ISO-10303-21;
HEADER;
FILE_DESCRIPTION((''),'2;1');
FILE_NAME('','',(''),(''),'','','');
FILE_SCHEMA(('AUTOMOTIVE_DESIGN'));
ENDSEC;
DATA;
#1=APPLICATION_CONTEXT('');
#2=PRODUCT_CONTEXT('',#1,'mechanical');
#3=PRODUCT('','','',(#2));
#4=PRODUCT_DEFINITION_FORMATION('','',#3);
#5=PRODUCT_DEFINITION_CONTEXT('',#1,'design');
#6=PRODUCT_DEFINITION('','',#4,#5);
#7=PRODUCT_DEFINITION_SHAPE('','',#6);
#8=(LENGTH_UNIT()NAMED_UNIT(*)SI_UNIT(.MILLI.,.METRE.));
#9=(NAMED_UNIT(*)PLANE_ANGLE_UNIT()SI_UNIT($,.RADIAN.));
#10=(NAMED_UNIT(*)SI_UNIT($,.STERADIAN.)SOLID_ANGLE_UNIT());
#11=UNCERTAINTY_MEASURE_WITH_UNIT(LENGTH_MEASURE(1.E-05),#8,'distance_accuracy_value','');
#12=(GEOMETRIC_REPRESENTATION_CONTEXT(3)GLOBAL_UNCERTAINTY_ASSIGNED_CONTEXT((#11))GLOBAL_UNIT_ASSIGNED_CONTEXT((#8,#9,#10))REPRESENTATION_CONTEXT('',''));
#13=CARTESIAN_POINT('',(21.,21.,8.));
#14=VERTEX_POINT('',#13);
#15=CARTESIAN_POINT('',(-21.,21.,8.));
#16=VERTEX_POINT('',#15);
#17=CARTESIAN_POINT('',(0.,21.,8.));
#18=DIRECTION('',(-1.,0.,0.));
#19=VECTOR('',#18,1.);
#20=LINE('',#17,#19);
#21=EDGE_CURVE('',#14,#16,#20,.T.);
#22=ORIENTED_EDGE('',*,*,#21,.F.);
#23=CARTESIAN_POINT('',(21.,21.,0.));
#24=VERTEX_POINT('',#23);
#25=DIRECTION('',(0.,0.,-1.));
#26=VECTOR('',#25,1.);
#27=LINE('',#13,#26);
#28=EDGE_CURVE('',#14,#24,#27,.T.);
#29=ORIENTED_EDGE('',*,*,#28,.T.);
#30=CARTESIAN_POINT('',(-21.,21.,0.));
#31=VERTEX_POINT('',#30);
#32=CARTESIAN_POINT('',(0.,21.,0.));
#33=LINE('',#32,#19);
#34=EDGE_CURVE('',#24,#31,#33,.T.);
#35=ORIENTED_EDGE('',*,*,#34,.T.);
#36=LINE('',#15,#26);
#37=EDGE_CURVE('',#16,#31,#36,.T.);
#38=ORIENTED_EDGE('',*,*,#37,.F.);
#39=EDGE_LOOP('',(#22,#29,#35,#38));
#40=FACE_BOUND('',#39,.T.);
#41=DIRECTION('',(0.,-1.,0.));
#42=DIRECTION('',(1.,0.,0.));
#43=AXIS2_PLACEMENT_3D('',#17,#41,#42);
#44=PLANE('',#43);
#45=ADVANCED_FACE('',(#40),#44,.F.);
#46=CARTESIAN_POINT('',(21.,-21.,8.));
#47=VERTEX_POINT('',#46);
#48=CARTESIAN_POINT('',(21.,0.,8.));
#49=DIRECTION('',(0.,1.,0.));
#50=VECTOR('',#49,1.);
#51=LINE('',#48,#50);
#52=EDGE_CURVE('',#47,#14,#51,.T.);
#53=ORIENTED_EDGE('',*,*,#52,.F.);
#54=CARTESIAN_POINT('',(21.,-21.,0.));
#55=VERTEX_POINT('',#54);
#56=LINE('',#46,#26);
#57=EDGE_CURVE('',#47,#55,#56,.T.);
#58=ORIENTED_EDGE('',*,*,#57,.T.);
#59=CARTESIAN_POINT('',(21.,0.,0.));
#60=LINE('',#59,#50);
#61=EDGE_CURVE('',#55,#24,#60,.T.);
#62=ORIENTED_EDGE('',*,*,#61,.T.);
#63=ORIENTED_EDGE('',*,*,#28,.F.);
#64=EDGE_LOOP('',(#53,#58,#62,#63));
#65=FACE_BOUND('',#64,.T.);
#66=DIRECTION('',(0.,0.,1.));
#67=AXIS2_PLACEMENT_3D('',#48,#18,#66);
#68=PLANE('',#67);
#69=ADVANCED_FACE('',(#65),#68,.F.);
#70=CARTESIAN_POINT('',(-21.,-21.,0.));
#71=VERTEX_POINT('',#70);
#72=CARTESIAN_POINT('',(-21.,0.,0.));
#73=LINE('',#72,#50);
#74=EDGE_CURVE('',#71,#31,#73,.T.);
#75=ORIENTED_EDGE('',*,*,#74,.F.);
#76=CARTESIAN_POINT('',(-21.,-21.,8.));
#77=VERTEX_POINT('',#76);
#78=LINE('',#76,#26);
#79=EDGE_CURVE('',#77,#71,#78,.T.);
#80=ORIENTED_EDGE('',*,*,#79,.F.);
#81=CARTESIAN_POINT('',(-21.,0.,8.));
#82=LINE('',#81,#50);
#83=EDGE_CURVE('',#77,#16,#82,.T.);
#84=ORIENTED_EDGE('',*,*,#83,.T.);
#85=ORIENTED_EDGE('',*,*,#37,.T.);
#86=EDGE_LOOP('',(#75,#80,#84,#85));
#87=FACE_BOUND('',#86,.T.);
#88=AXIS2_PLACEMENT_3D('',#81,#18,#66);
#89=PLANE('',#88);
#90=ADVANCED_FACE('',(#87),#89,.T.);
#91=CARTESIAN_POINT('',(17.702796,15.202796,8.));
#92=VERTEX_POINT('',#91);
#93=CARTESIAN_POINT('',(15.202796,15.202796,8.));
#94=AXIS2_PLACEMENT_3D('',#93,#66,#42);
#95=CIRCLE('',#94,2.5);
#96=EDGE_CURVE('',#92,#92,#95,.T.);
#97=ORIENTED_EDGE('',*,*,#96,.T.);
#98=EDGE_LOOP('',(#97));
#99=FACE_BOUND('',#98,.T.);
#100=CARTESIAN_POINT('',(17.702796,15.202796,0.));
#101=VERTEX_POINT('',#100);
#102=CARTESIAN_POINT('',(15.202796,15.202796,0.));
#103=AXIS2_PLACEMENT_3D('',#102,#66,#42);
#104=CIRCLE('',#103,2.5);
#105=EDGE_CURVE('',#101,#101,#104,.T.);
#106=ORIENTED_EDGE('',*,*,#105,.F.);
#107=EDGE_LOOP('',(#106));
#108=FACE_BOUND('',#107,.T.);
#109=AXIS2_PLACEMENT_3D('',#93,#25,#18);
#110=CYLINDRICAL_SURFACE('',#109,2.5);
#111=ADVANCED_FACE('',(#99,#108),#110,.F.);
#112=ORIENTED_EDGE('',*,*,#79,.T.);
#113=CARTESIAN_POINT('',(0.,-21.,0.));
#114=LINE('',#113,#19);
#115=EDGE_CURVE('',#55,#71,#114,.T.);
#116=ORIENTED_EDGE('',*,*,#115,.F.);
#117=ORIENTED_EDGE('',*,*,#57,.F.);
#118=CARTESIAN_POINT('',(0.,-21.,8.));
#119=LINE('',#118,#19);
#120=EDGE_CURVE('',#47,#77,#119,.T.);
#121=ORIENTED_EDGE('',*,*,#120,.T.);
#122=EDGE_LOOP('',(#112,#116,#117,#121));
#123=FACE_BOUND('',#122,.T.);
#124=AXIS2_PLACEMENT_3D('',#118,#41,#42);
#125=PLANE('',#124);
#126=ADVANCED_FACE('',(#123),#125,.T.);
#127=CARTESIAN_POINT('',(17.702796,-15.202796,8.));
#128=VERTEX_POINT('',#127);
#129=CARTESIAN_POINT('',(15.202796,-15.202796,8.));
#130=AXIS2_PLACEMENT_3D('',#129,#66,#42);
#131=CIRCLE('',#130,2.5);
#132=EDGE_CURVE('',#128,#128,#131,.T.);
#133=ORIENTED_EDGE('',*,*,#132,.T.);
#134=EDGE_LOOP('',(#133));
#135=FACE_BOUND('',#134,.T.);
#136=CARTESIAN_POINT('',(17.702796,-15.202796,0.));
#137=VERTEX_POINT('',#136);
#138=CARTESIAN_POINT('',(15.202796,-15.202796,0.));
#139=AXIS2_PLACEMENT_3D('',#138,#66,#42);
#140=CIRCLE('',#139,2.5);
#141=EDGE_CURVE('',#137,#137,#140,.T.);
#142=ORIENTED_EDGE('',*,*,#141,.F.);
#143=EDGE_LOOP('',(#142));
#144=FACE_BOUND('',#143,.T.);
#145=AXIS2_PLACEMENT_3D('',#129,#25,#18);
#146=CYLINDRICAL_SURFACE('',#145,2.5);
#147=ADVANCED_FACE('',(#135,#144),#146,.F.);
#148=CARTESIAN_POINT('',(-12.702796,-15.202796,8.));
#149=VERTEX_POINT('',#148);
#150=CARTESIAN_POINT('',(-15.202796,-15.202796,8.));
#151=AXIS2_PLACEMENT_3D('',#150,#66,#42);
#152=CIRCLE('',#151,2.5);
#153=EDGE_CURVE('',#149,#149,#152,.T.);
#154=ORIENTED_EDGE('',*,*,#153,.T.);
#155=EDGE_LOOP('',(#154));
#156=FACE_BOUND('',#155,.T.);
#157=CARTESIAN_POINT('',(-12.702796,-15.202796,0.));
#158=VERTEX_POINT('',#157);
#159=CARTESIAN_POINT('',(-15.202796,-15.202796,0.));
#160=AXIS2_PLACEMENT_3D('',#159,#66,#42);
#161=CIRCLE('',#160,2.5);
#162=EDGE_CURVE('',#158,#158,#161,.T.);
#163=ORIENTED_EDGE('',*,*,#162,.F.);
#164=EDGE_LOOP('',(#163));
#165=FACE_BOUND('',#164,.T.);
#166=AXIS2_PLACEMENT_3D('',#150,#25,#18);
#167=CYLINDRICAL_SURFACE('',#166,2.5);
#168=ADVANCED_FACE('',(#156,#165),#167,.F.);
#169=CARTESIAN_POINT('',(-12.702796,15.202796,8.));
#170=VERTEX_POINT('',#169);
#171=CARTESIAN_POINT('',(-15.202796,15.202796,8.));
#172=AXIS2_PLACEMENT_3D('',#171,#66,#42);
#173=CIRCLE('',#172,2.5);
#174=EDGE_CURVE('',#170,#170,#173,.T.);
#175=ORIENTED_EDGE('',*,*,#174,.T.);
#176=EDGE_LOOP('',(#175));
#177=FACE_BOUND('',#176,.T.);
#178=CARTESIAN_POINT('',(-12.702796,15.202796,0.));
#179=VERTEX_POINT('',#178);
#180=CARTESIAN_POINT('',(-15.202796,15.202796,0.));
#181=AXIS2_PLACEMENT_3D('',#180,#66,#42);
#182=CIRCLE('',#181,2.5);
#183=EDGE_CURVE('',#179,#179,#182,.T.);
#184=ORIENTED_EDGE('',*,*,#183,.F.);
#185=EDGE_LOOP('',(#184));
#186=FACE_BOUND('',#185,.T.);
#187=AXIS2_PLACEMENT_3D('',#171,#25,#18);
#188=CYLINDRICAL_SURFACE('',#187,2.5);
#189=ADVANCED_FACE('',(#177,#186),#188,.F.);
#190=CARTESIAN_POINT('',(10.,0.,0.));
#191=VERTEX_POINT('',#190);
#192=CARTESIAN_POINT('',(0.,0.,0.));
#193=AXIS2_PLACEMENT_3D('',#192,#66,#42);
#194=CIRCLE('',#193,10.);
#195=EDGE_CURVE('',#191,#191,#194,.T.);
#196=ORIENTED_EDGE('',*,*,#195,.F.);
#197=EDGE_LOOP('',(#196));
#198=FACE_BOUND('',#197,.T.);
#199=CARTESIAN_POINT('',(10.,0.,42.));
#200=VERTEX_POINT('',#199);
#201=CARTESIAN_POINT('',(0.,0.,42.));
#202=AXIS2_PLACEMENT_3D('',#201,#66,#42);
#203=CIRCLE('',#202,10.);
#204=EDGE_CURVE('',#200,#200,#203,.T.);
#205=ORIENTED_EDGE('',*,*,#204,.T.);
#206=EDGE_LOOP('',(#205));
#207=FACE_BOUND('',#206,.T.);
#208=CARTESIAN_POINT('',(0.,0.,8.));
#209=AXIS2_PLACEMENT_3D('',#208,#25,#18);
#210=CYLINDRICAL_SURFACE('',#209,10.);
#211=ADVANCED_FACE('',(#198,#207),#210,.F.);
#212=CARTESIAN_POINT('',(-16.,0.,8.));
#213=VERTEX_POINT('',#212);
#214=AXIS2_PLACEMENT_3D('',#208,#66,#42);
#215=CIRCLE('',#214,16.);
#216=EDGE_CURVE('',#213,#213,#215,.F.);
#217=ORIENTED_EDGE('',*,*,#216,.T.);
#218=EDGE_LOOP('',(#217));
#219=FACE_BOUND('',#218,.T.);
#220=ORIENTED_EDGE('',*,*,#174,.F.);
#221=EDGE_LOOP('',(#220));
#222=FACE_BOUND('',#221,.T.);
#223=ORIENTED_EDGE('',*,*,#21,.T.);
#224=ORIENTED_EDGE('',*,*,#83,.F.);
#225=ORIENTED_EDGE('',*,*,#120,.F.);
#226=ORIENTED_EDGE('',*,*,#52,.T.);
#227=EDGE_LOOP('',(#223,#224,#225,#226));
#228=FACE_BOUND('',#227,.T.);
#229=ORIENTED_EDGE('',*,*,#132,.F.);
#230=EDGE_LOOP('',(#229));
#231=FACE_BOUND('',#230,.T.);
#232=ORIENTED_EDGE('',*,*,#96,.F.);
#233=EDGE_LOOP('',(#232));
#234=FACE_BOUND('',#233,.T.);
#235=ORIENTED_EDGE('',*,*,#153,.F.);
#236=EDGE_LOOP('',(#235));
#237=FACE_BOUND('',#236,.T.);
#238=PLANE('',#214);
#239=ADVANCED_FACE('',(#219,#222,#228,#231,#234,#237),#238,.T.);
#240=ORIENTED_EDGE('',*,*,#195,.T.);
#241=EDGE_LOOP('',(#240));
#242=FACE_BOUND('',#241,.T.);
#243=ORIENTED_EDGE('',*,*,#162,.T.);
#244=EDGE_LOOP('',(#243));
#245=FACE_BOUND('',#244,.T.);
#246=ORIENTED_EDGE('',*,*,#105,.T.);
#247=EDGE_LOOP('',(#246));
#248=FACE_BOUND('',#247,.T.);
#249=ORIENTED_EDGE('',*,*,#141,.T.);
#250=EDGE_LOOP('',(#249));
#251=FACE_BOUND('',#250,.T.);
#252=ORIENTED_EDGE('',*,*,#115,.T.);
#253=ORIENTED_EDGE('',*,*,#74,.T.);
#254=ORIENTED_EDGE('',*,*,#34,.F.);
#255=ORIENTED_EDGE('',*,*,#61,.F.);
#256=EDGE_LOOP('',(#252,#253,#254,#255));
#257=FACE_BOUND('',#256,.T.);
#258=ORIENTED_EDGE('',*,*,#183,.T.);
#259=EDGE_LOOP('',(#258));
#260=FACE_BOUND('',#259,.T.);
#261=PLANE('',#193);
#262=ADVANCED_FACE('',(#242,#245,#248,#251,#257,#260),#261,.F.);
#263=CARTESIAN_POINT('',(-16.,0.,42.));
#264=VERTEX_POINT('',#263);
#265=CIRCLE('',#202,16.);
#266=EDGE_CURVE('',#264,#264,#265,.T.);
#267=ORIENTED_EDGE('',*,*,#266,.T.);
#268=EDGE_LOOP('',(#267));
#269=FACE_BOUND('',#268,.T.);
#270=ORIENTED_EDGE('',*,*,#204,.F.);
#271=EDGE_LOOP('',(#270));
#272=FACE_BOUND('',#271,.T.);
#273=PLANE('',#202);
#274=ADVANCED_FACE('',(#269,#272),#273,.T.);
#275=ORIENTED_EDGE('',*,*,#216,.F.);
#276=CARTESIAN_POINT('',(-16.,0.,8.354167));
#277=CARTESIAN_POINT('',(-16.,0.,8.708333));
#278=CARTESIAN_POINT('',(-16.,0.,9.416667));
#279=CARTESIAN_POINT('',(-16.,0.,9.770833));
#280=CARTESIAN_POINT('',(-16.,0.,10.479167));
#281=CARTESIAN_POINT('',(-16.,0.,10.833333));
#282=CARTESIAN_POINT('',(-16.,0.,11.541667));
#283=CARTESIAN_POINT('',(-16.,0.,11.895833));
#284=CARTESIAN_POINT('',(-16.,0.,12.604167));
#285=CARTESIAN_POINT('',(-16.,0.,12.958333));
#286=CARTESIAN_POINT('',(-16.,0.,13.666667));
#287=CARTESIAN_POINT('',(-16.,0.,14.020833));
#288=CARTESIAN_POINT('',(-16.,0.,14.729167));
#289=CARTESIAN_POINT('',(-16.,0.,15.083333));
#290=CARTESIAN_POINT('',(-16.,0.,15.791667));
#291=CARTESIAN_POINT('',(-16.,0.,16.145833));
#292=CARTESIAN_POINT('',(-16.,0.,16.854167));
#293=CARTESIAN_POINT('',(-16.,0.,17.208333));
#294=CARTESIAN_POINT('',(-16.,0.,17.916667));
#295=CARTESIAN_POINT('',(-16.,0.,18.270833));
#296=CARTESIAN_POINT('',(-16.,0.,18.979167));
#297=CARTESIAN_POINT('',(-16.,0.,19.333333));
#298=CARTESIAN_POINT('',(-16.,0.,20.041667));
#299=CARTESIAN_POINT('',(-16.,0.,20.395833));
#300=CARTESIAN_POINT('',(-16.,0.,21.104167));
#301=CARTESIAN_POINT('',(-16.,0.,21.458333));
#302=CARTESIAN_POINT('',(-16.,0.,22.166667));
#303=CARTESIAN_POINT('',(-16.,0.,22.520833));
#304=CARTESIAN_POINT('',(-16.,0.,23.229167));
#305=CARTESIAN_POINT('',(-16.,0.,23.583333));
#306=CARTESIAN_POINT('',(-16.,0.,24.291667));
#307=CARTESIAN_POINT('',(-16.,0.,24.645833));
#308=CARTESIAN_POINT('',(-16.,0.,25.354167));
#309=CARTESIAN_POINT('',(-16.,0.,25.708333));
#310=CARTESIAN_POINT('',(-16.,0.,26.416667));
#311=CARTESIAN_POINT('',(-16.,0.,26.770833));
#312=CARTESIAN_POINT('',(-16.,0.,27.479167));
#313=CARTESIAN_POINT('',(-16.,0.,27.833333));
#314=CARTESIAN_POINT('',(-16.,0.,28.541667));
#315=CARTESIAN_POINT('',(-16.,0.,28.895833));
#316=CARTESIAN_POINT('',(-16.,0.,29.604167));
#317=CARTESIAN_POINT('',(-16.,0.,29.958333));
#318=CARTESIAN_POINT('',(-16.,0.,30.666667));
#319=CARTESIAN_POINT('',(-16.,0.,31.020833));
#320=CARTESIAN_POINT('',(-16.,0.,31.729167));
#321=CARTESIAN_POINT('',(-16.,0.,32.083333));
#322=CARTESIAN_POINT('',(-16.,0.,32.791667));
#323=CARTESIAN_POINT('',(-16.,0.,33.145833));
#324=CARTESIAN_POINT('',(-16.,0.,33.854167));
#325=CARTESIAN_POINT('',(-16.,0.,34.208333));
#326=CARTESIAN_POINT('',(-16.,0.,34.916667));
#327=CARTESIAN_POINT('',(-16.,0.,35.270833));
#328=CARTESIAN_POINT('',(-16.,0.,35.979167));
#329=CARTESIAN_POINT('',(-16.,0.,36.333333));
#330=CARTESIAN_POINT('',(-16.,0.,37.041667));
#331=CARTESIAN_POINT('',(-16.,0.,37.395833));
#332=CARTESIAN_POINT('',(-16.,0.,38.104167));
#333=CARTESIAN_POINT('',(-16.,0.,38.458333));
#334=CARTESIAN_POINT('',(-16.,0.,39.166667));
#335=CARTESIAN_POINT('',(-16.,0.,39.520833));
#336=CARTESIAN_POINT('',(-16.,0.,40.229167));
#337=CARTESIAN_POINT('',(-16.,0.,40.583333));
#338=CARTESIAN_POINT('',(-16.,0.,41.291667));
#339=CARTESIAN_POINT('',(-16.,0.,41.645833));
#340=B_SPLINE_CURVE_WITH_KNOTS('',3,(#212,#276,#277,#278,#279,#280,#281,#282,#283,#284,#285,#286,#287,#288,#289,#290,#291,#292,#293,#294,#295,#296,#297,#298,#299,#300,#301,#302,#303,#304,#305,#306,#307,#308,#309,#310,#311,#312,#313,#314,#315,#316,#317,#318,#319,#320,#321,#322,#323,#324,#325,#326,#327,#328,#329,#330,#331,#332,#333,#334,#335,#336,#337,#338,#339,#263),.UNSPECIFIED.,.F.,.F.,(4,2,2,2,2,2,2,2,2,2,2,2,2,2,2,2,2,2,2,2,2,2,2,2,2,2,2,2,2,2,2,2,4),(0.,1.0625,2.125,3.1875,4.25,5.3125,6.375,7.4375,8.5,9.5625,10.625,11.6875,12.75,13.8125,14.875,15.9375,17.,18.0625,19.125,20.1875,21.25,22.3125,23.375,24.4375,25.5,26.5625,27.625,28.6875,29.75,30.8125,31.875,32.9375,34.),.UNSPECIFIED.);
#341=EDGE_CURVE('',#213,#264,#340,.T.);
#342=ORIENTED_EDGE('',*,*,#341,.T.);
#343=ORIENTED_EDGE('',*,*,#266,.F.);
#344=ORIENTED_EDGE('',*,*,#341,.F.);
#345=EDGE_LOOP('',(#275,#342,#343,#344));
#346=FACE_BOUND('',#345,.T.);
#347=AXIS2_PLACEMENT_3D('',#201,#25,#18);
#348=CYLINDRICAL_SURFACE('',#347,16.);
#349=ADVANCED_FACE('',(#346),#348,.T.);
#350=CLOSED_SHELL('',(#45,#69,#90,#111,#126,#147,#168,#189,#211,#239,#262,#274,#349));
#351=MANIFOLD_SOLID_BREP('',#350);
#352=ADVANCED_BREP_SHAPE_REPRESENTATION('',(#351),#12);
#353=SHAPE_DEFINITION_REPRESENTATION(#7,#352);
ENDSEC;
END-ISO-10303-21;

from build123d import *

# Parameters (mm, degrees)
SKETCH_1_W      = 42
SKETCH_1_H      = 42
SKETCH_1_R      = 2.5
SKETCH_1_R_2    = 10
EXTRUDE_1_DEPTH = 8
SKETCH_1_3_R    = 16
SKETCH_1_3_R_2  = 10
EXTRUDE_2_DEPTH = 42


with BuildPart() as part:
    # 草图1 → 凸台-拉伸1 (new body)
    with BuildSketch(Plane.XY):
        Rectangle(SKETCH_1_W, SKETCH_1_H)
        with Locations((-15.202795796, -15.202795796)):
            Circle(SKETCH_1_R, mode=Mode.SUBTRACT)
        with Locations((15.202795796, -15.202795796)):
            Circle(SKETCH_1_R, mode=Mode.SUBTRACT)
        with Locations((-15.202795796, 15.202795796)):
            Circle(SKETCH_1_R, mode=Mode.SUBTRACT)
        with Locations((15.202795796, 15.202795796)):
            Circle(SKETCH_1_R, mode=Mode.SUBTRACT)
        Circle(SKETCH_1_R_2, mode=Mode.SUBTRACT)
    extrude(amount=EXTRUDE_1_DEPTH)

    # 草图1<3> → 凸台-拉伸2 (add)
    with BuildSketch(Plane.XY):
        Circle(SKETCH_1_3_R)
        Circle(SKETCH_1_3_R_2, mode=Mode.SUBTRACT)
    extrude(amount=EXTRUDE_2_DEPTH)


solid = part.part
